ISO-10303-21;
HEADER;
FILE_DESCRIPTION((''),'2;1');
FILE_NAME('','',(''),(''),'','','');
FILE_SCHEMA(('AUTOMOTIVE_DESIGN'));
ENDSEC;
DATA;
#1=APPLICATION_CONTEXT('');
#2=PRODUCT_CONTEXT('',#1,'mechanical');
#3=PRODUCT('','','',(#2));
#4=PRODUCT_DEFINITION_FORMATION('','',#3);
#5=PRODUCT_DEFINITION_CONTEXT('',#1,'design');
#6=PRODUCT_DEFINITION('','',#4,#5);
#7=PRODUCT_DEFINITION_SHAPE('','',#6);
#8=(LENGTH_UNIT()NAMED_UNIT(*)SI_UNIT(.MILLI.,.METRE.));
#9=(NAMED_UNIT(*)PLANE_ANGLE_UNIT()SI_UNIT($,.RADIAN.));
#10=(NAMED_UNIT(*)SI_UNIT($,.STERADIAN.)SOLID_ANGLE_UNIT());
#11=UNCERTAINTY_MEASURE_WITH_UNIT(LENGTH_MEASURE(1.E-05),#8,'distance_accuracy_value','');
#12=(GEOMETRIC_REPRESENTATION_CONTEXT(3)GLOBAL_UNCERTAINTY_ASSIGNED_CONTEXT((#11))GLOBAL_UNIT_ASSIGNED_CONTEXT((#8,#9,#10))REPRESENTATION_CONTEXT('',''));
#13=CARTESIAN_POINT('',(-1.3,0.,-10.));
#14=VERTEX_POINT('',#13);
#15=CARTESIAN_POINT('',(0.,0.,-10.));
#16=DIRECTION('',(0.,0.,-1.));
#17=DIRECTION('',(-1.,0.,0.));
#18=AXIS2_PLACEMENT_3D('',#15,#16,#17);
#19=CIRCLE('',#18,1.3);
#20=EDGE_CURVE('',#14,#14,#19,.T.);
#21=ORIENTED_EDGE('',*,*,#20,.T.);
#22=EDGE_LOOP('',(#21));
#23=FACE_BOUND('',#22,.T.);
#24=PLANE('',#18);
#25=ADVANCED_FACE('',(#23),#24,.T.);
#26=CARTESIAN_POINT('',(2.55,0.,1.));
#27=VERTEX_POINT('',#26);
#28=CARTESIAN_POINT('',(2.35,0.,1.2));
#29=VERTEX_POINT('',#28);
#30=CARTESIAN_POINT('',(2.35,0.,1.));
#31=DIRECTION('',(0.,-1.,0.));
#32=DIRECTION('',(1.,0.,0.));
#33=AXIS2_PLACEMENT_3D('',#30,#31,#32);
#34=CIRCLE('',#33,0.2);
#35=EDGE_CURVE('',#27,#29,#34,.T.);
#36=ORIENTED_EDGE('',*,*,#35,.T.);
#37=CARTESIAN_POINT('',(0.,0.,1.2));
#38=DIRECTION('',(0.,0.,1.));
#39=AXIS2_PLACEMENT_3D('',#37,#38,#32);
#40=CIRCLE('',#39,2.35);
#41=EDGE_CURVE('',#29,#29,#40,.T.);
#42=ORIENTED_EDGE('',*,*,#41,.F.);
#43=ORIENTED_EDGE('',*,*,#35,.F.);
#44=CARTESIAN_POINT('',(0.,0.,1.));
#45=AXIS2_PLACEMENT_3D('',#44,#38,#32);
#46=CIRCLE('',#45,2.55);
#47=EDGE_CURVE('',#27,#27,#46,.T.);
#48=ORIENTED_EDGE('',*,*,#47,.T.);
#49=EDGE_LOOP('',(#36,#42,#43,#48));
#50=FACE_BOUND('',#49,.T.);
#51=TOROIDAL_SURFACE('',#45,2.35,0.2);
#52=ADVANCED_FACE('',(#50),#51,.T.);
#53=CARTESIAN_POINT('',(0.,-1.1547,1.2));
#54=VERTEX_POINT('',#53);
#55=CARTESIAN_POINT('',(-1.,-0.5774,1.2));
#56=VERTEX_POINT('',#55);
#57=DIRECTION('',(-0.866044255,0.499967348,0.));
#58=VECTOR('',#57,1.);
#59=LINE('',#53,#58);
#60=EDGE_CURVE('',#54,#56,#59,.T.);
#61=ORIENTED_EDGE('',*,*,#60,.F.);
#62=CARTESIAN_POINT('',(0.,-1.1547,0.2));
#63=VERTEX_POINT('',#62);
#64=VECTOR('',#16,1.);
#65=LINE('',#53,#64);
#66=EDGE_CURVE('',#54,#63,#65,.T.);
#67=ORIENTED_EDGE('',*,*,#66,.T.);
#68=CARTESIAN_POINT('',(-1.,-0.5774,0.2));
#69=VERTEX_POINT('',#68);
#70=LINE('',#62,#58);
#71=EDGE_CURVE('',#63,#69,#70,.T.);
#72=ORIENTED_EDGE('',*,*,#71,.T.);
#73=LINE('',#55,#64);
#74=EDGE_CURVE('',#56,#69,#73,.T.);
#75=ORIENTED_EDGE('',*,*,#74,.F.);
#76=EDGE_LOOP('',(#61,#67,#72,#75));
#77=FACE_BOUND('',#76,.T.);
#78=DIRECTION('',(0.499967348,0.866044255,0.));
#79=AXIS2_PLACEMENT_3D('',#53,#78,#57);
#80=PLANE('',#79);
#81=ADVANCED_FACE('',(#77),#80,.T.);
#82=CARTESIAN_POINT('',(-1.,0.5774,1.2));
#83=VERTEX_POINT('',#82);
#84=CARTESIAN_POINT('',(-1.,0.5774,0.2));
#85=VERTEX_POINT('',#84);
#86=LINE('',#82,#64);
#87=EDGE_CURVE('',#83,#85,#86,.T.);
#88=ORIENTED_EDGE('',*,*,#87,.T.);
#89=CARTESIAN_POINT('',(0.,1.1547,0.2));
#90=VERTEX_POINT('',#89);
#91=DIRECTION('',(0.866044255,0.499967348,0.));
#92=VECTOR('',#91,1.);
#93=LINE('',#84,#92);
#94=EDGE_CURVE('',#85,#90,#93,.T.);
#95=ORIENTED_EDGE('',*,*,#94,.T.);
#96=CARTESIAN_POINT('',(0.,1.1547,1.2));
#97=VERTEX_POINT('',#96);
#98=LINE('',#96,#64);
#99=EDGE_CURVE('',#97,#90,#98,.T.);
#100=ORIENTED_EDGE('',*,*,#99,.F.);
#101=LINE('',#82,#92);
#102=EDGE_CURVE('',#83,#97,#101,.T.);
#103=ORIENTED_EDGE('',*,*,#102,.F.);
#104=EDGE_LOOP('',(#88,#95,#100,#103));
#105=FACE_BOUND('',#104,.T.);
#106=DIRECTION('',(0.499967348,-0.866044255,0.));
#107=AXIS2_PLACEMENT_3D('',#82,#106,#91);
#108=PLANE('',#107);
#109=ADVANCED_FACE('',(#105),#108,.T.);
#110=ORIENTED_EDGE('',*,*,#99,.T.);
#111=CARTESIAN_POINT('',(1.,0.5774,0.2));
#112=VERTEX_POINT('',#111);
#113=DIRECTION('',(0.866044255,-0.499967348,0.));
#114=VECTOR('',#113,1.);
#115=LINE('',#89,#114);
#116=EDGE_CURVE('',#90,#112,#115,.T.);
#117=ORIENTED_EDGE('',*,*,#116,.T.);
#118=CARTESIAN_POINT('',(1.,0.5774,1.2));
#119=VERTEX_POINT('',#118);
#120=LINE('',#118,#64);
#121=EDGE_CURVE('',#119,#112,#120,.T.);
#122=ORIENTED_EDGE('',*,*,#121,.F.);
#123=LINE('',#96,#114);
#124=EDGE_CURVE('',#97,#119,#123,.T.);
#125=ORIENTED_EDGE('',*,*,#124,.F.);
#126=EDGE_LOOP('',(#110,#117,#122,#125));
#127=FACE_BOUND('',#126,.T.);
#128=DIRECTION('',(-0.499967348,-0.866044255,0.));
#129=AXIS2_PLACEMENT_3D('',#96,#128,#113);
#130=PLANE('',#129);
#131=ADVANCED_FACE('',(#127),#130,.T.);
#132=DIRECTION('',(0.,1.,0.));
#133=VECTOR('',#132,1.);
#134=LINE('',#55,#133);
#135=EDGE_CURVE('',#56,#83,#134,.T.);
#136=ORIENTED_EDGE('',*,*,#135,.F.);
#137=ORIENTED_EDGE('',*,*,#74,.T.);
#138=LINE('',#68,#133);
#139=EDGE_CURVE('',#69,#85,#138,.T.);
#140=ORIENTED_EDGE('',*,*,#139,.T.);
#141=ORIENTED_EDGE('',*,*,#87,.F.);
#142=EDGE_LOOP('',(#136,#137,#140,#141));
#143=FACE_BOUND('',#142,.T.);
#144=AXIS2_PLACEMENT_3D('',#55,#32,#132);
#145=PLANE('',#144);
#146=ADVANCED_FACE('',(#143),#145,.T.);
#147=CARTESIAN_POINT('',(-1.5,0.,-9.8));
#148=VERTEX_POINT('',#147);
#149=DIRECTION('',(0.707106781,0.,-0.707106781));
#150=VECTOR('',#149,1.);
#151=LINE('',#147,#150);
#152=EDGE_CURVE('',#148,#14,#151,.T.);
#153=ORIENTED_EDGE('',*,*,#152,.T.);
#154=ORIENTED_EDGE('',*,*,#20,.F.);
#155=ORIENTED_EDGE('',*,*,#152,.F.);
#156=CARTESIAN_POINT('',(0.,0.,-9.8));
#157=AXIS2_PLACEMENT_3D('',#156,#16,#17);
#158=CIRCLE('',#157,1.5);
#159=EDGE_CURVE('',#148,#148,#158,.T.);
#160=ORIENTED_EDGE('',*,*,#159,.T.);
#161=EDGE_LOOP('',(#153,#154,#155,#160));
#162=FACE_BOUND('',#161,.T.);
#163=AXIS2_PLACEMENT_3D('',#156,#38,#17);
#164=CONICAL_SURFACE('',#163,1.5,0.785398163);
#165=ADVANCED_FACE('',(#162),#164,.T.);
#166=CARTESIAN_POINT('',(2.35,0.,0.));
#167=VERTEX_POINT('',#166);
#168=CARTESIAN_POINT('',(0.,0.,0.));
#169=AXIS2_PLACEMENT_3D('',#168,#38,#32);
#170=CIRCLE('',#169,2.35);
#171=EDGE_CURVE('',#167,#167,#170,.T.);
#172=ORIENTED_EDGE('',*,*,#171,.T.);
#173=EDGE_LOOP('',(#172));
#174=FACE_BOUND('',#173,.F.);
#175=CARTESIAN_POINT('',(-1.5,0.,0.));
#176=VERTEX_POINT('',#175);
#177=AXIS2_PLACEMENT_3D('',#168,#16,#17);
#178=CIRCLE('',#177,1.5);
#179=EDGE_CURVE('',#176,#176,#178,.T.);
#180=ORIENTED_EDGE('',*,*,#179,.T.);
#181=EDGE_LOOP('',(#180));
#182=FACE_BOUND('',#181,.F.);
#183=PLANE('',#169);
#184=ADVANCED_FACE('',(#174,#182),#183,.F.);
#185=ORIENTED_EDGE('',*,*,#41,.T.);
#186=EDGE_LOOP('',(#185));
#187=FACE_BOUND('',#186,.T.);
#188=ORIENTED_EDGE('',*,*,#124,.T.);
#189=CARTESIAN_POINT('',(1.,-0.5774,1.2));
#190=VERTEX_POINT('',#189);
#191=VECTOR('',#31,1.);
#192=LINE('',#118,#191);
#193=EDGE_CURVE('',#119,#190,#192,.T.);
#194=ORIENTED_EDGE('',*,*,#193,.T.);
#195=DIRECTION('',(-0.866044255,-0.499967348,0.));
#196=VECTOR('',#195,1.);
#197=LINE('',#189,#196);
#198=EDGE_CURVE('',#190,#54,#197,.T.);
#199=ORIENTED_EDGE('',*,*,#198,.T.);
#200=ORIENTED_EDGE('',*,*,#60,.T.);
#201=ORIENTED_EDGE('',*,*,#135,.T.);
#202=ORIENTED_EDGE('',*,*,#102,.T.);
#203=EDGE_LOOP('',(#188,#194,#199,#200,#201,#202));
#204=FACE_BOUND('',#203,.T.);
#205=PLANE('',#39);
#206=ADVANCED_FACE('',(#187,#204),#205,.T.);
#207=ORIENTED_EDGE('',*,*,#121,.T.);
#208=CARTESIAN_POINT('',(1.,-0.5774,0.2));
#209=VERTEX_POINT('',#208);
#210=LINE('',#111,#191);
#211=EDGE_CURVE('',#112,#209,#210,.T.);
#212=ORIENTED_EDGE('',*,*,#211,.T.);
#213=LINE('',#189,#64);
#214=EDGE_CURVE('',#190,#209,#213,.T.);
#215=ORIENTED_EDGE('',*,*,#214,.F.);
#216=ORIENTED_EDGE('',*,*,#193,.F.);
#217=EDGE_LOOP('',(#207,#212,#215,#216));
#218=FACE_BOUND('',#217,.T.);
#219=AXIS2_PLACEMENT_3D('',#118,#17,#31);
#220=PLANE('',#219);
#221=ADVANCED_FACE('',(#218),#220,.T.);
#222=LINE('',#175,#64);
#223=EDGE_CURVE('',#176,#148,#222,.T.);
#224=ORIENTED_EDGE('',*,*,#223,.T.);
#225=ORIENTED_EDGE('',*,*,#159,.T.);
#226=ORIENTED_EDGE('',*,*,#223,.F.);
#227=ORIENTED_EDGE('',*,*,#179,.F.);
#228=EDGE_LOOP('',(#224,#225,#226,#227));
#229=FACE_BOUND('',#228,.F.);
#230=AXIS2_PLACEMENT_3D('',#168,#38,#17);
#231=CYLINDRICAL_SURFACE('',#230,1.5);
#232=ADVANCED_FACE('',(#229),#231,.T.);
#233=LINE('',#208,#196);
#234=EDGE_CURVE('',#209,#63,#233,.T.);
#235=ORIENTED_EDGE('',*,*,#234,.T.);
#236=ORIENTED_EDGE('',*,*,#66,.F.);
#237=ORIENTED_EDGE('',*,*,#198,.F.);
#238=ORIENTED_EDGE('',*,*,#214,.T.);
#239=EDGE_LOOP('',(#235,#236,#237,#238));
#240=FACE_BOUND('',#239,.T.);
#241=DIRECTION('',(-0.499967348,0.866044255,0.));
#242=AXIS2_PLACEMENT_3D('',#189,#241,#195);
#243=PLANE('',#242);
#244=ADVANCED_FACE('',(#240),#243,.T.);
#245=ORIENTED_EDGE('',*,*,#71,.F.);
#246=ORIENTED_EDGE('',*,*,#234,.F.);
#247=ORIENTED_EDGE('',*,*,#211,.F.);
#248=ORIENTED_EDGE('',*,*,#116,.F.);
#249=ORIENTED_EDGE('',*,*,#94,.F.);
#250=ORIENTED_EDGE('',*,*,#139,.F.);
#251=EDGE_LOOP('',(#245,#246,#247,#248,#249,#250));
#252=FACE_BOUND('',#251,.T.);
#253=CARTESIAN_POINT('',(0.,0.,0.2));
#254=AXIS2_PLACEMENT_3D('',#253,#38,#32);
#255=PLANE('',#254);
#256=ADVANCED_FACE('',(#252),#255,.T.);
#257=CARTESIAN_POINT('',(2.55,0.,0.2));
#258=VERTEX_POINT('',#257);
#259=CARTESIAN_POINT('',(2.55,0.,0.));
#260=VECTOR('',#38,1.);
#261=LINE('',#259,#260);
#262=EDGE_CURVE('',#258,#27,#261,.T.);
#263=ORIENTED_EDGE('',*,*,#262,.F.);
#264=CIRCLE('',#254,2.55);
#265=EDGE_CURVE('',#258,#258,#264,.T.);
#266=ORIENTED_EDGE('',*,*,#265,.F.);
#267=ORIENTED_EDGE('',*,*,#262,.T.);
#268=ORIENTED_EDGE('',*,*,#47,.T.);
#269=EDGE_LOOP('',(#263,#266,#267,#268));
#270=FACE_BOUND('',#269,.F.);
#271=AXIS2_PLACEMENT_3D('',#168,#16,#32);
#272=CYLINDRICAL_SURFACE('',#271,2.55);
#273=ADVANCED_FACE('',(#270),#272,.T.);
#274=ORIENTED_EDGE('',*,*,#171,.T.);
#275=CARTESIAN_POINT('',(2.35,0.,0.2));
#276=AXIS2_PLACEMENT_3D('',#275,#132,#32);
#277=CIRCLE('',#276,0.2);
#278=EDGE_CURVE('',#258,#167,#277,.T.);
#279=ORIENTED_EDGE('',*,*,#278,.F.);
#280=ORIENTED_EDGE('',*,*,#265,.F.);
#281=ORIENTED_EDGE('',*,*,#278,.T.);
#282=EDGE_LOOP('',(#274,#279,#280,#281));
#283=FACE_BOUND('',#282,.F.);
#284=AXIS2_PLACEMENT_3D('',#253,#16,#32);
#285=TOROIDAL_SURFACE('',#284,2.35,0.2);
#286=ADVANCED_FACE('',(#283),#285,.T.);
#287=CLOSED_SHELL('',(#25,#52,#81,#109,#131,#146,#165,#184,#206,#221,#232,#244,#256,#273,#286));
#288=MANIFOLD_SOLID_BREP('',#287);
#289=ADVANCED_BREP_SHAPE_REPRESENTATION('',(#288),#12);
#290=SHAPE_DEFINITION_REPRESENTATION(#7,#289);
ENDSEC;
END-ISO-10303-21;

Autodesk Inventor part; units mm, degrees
ref_plane "YZ Plane" through (0, 0, 0) normal (1, 0, 0) x (0, 1, 0)
ref_plane "XZ Plane" through (0, 0, 0) normal (0, 1, 0) x (-1, 0, 0)
ref_plane "XY Plane" through (0, 0, 0) normal (0, 0, 1) x (1, 0, 0)
sketch "スケッチ1" plane through (0, 0, 0) normal (0, 0, 1) x (1, 0, 0)
  circle A0 centre (0, 0) radius 2.55
  dimension "d0" = 5.1
extrude "押し出し1" add sketch "スケッチ1" along normal blind 1.2
sketch "スケッチ2" plane through (0, 0, 0) normal (0, 0, -1) x (-1, 0, 0)
  circle A0 centre (0, 0) radius 2.55 projected
  circle A1 centre (0, 0) radius 1.5
  dimension "d3" = 3
extrude "押し出し2" add sketch "スケッチ2" along normal blind 10 contours A1
thread "ねじ1" size "M3x0.5" class "6g" standard "ANSI Metric M Profile" full length
sketch "スケッチ3" plane through (0, 0, 1.2) normal (0, 0, 1) x (1, 0, 0)
  circle A0 centre (0, 0) radius 2.55 projected
  line L0 (0, 1.1547) -> (1, 0.5774)
  line L1 (1, 0.5774) -> (1, -0.5774)
  line L2 (1, -0.5774) -> (0, -1.1547)
  line L3 (0, -1.1547) -> (-1, -0.5774)
  line L4 (-1, -0.5774) -> (-1, 0.5774)
  line L5 (-1, 0.5774) -> (0, 1.1547)
  dimension "d8" = 2
extrude "押し出し3" cut sketch "スケッチ3" against normal blind 1 contours L0 L1 L2 L3 L4 L5
fillet "フィレット1" radius 0.2 2 edges at (-2.55, 0, 1.2) (-2.55, 0, 0)
chamfer "面取り1" distance 0.2 angle 45 1 edges at (1.5, 0, -10)
properties part number "六角穴付低頭平 M3 x 10" material "鋼"
